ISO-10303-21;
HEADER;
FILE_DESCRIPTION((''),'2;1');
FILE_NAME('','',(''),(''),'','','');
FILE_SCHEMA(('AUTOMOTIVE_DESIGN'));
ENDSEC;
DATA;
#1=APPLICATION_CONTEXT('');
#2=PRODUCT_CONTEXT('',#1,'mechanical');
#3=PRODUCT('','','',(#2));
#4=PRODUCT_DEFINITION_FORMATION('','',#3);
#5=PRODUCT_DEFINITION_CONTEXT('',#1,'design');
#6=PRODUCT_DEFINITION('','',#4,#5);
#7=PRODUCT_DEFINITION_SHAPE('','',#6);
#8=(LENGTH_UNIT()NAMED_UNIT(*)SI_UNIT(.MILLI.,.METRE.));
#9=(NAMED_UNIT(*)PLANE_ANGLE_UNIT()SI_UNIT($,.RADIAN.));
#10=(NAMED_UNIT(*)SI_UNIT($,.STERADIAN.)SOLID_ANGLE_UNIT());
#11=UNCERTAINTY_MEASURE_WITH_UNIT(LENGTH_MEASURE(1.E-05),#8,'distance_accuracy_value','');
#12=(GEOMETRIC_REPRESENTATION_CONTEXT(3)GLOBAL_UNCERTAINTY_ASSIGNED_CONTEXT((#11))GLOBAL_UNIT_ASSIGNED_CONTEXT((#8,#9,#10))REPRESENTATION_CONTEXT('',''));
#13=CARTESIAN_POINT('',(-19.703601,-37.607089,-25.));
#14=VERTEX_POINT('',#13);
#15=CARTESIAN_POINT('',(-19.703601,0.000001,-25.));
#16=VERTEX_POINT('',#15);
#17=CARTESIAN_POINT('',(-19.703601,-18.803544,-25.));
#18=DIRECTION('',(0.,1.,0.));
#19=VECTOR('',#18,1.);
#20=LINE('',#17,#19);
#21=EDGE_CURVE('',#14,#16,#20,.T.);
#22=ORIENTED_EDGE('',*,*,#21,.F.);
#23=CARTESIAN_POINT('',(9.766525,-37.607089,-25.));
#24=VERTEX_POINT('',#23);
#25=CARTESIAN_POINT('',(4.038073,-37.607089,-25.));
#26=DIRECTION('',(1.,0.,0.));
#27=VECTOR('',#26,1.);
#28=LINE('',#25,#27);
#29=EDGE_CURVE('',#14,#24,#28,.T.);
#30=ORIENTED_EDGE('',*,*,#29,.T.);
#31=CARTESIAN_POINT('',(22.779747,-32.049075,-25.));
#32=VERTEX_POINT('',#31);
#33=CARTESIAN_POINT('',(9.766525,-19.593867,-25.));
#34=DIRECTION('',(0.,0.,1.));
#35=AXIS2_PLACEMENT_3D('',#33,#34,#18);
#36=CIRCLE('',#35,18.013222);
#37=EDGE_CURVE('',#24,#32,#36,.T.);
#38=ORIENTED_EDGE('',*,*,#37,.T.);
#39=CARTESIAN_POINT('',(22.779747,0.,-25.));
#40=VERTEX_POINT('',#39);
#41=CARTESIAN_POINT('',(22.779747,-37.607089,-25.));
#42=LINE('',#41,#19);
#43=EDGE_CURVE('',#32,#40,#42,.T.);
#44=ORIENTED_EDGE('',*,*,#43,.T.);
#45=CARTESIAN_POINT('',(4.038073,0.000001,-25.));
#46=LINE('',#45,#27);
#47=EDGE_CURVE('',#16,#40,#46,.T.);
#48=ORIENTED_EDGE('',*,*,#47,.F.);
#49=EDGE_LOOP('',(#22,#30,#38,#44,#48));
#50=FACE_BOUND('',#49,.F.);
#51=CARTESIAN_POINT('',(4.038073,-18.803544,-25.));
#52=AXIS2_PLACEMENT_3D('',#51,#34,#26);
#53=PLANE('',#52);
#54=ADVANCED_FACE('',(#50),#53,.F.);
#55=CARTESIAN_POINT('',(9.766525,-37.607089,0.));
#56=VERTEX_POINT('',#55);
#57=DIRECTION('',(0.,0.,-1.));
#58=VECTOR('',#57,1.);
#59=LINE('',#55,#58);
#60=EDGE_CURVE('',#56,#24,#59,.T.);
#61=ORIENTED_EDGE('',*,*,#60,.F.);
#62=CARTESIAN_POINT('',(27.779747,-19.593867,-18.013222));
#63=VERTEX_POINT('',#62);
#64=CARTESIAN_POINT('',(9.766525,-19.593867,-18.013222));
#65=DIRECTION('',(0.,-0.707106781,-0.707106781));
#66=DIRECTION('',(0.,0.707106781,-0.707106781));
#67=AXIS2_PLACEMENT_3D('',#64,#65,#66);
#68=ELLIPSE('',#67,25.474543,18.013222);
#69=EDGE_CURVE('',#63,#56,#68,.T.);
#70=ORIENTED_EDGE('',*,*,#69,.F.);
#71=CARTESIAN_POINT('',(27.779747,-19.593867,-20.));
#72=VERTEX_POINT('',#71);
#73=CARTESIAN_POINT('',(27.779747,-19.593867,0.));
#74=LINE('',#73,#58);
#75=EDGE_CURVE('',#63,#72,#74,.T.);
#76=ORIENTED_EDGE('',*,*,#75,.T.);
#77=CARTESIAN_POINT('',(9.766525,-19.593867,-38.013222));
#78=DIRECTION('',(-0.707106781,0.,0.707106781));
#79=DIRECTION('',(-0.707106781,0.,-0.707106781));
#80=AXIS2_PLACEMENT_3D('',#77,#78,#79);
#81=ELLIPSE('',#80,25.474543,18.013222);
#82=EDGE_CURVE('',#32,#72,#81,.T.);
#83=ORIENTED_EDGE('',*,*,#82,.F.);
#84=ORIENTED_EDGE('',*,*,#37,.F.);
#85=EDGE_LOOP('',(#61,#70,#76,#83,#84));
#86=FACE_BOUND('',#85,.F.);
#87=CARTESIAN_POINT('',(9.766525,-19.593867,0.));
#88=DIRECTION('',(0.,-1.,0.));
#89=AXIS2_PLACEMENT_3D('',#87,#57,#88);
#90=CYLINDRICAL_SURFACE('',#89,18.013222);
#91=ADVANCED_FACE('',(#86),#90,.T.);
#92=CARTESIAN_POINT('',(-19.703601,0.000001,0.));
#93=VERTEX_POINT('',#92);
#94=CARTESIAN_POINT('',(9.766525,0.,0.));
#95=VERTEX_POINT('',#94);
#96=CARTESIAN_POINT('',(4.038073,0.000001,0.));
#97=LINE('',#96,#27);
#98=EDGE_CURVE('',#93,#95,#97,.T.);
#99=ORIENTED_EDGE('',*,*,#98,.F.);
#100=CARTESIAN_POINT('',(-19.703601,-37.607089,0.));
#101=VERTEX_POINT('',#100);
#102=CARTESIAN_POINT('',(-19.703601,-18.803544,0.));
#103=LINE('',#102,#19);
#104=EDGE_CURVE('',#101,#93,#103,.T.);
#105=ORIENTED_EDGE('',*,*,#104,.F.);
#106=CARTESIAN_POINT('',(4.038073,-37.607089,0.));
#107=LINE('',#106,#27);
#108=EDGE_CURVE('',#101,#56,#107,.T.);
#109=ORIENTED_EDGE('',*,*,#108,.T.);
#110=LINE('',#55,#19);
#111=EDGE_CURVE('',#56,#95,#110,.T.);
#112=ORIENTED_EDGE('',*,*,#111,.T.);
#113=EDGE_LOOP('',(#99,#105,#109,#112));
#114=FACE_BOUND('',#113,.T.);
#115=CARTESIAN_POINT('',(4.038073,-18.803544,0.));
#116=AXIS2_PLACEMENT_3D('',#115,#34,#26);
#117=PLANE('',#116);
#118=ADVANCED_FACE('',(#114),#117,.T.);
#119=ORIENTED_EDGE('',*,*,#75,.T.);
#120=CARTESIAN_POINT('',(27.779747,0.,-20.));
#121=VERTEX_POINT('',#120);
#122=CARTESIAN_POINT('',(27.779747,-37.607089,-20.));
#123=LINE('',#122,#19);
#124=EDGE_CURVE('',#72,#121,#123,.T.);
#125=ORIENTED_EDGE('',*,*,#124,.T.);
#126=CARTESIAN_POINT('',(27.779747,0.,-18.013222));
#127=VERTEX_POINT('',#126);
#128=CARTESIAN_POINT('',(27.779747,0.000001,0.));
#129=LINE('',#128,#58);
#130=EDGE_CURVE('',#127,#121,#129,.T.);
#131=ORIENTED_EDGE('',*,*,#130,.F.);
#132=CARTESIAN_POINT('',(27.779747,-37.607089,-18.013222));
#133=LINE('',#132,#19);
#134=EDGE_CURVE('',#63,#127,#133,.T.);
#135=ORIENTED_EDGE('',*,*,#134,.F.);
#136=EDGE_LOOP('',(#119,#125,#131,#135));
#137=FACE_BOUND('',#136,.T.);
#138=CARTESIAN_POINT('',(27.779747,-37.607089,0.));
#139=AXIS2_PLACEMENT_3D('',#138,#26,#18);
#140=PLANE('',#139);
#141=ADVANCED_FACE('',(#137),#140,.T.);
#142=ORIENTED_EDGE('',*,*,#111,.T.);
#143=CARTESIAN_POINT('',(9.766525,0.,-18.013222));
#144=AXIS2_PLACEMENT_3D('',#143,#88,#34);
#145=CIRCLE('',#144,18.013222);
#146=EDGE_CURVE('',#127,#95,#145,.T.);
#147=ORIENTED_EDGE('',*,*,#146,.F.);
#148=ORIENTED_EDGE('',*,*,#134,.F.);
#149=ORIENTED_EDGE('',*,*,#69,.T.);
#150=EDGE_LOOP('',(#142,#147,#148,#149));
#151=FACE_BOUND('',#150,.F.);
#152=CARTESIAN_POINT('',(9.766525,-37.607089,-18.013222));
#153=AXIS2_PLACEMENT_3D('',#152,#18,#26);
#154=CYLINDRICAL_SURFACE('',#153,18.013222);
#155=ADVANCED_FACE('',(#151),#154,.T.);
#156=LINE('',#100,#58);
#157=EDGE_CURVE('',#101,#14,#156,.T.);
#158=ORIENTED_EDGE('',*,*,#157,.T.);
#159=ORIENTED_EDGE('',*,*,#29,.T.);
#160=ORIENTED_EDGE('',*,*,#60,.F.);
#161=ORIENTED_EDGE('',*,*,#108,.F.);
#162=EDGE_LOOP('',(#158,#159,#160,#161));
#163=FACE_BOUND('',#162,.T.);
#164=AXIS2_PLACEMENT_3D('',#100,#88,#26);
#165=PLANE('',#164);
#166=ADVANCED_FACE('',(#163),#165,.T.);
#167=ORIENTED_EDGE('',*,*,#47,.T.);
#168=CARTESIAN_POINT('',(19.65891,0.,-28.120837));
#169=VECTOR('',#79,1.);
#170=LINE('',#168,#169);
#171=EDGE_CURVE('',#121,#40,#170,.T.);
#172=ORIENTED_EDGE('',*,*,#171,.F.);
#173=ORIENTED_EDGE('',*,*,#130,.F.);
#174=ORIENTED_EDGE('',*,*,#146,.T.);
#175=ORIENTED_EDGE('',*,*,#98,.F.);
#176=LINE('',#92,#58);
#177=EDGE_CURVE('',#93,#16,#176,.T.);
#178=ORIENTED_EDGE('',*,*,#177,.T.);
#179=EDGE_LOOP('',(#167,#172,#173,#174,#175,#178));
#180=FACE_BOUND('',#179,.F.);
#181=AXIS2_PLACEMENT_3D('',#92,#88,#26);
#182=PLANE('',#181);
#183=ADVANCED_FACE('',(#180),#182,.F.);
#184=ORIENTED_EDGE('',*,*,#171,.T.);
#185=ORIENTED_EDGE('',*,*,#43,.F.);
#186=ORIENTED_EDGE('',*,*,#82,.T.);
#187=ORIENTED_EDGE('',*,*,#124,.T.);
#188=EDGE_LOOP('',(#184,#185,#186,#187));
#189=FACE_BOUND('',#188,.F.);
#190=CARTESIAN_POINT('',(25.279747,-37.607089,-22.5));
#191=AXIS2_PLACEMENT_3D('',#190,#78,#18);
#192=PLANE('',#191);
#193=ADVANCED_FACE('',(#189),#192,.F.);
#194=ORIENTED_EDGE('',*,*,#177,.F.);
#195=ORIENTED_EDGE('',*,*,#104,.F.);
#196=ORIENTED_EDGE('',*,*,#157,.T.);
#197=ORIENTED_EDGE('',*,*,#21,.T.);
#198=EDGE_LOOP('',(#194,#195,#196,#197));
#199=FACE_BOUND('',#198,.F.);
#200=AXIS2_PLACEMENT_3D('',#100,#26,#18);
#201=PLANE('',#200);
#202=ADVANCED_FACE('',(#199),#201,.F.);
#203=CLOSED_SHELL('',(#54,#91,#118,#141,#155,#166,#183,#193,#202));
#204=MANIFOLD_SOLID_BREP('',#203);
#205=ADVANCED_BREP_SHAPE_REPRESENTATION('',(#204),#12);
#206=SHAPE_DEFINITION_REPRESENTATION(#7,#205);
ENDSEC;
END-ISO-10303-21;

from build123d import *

# Parameters (mm, degrees)
F0_W     = 47.483348
F0_H     = 37.607089
F2_DEPTH = 25
F3_SIZE  = 5
F4_R     = 18.013222


with BuildPart() as f2:
    # F0 (on Top) → F2 (new body)
    with BuildSketch(Plane.XY):
        with Locations((4.038073, -18.803544)):
            Rectangle(F0_W, F0_H)
    extrude(amount=-F2_DEPTH)

    # F3
    f3_edges = [f2.edges().sort_by_distance(p)[0] for p in [
        (27.779747, -18.803544, -25),
    ]]
    chamfer(f3_edges, length=F3_SIZE)

    # F4
    f4_edges = [f2.edges().sort_by_distance(p)[0] for p in [
        (27.779747, -18.803544, 0),
        (27.779747, -37.607089, -10),
    ]]
    fillet(f4_edges, radius=F4_R)


solid = f2.part
